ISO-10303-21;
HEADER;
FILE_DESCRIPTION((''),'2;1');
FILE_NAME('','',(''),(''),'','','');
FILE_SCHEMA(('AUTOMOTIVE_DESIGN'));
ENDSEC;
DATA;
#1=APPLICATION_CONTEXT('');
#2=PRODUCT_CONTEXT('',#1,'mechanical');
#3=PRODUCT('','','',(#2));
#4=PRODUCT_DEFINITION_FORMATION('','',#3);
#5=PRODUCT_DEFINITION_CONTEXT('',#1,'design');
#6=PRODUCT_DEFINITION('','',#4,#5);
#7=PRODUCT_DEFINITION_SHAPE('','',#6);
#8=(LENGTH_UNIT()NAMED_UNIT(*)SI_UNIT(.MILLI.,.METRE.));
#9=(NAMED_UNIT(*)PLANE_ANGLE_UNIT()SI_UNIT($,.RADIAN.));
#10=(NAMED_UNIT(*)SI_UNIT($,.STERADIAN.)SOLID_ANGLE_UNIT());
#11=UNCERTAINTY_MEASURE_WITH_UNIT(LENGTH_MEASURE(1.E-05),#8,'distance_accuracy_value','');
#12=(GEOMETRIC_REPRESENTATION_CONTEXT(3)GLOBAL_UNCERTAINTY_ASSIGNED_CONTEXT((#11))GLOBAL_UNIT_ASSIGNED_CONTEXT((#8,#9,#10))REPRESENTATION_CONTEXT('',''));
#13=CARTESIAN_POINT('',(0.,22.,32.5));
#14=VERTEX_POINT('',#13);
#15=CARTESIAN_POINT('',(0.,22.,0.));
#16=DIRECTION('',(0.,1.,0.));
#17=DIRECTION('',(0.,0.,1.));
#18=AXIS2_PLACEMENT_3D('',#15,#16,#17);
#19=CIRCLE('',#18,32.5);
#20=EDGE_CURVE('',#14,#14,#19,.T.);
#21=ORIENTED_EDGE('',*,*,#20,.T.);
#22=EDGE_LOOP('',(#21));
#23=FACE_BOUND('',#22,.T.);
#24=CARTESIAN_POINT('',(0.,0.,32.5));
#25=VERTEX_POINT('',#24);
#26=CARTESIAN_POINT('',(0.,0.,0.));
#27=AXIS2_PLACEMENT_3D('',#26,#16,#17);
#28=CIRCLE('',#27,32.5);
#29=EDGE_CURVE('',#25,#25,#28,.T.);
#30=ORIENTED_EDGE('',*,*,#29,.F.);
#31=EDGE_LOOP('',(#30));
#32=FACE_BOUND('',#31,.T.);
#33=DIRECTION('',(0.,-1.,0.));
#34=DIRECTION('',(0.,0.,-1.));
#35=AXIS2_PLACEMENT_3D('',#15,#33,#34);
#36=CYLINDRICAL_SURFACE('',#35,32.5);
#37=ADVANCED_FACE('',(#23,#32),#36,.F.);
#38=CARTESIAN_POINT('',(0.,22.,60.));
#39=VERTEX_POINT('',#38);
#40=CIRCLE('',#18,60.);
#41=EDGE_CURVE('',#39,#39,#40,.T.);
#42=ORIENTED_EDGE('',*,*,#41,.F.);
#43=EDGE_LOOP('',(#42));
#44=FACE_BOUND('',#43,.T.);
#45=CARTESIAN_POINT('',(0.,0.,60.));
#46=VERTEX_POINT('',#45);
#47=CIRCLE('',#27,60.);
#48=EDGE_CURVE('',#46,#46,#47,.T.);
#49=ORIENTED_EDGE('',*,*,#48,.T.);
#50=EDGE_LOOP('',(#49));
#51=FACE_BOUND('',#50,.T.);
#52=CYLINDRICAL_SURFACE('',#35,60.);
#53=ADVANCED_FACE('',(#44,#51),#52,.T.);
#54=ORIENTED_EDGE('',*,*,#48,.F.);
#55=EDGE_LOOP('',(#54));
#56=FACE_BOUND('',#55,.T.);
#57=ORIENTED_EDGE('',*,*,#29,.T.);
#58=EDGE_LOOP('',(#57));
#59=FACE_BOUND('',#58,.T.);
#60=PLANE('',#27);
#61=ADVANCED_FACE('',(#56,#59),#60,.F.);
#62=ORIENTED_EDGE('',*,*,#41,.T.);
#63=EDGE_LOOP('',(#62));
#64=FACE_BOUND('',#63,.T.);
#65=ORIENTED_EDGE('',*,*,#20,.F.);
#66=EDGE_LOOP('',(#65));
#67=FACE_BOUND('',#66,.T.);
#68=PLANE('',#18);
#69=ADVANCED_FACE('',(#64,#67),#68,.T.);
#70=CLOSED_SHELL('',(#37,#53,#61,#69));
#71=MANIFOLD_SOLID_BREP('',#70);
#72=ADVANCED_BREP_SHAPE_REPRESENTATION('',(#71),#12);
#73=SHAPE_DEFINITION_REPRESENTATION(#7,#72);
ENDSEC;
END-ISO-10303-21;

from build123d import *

# Parameters (mm, degrees)
SKETCH2_R           = 60
SKETCH2_R_2         = 32.5
BOSS_EXTRUDE1_DEPTH = 22


with BuildPart() as part:
    # Sketch2 → Boss-Extrude1 (new body)
    with BuildSketch(Plane(origin=(0, 0, 0), x_dir=(1, 0, 0), z_dir=(0, 1, 0))):
        Circle(SKETCH2_R)
        Circle(SKETCH2_R_2, mode=Mode.SUBTRACT)
    extrude(amount=BOSS_EXTRUDE1_DEPTH)


solid = part.part
